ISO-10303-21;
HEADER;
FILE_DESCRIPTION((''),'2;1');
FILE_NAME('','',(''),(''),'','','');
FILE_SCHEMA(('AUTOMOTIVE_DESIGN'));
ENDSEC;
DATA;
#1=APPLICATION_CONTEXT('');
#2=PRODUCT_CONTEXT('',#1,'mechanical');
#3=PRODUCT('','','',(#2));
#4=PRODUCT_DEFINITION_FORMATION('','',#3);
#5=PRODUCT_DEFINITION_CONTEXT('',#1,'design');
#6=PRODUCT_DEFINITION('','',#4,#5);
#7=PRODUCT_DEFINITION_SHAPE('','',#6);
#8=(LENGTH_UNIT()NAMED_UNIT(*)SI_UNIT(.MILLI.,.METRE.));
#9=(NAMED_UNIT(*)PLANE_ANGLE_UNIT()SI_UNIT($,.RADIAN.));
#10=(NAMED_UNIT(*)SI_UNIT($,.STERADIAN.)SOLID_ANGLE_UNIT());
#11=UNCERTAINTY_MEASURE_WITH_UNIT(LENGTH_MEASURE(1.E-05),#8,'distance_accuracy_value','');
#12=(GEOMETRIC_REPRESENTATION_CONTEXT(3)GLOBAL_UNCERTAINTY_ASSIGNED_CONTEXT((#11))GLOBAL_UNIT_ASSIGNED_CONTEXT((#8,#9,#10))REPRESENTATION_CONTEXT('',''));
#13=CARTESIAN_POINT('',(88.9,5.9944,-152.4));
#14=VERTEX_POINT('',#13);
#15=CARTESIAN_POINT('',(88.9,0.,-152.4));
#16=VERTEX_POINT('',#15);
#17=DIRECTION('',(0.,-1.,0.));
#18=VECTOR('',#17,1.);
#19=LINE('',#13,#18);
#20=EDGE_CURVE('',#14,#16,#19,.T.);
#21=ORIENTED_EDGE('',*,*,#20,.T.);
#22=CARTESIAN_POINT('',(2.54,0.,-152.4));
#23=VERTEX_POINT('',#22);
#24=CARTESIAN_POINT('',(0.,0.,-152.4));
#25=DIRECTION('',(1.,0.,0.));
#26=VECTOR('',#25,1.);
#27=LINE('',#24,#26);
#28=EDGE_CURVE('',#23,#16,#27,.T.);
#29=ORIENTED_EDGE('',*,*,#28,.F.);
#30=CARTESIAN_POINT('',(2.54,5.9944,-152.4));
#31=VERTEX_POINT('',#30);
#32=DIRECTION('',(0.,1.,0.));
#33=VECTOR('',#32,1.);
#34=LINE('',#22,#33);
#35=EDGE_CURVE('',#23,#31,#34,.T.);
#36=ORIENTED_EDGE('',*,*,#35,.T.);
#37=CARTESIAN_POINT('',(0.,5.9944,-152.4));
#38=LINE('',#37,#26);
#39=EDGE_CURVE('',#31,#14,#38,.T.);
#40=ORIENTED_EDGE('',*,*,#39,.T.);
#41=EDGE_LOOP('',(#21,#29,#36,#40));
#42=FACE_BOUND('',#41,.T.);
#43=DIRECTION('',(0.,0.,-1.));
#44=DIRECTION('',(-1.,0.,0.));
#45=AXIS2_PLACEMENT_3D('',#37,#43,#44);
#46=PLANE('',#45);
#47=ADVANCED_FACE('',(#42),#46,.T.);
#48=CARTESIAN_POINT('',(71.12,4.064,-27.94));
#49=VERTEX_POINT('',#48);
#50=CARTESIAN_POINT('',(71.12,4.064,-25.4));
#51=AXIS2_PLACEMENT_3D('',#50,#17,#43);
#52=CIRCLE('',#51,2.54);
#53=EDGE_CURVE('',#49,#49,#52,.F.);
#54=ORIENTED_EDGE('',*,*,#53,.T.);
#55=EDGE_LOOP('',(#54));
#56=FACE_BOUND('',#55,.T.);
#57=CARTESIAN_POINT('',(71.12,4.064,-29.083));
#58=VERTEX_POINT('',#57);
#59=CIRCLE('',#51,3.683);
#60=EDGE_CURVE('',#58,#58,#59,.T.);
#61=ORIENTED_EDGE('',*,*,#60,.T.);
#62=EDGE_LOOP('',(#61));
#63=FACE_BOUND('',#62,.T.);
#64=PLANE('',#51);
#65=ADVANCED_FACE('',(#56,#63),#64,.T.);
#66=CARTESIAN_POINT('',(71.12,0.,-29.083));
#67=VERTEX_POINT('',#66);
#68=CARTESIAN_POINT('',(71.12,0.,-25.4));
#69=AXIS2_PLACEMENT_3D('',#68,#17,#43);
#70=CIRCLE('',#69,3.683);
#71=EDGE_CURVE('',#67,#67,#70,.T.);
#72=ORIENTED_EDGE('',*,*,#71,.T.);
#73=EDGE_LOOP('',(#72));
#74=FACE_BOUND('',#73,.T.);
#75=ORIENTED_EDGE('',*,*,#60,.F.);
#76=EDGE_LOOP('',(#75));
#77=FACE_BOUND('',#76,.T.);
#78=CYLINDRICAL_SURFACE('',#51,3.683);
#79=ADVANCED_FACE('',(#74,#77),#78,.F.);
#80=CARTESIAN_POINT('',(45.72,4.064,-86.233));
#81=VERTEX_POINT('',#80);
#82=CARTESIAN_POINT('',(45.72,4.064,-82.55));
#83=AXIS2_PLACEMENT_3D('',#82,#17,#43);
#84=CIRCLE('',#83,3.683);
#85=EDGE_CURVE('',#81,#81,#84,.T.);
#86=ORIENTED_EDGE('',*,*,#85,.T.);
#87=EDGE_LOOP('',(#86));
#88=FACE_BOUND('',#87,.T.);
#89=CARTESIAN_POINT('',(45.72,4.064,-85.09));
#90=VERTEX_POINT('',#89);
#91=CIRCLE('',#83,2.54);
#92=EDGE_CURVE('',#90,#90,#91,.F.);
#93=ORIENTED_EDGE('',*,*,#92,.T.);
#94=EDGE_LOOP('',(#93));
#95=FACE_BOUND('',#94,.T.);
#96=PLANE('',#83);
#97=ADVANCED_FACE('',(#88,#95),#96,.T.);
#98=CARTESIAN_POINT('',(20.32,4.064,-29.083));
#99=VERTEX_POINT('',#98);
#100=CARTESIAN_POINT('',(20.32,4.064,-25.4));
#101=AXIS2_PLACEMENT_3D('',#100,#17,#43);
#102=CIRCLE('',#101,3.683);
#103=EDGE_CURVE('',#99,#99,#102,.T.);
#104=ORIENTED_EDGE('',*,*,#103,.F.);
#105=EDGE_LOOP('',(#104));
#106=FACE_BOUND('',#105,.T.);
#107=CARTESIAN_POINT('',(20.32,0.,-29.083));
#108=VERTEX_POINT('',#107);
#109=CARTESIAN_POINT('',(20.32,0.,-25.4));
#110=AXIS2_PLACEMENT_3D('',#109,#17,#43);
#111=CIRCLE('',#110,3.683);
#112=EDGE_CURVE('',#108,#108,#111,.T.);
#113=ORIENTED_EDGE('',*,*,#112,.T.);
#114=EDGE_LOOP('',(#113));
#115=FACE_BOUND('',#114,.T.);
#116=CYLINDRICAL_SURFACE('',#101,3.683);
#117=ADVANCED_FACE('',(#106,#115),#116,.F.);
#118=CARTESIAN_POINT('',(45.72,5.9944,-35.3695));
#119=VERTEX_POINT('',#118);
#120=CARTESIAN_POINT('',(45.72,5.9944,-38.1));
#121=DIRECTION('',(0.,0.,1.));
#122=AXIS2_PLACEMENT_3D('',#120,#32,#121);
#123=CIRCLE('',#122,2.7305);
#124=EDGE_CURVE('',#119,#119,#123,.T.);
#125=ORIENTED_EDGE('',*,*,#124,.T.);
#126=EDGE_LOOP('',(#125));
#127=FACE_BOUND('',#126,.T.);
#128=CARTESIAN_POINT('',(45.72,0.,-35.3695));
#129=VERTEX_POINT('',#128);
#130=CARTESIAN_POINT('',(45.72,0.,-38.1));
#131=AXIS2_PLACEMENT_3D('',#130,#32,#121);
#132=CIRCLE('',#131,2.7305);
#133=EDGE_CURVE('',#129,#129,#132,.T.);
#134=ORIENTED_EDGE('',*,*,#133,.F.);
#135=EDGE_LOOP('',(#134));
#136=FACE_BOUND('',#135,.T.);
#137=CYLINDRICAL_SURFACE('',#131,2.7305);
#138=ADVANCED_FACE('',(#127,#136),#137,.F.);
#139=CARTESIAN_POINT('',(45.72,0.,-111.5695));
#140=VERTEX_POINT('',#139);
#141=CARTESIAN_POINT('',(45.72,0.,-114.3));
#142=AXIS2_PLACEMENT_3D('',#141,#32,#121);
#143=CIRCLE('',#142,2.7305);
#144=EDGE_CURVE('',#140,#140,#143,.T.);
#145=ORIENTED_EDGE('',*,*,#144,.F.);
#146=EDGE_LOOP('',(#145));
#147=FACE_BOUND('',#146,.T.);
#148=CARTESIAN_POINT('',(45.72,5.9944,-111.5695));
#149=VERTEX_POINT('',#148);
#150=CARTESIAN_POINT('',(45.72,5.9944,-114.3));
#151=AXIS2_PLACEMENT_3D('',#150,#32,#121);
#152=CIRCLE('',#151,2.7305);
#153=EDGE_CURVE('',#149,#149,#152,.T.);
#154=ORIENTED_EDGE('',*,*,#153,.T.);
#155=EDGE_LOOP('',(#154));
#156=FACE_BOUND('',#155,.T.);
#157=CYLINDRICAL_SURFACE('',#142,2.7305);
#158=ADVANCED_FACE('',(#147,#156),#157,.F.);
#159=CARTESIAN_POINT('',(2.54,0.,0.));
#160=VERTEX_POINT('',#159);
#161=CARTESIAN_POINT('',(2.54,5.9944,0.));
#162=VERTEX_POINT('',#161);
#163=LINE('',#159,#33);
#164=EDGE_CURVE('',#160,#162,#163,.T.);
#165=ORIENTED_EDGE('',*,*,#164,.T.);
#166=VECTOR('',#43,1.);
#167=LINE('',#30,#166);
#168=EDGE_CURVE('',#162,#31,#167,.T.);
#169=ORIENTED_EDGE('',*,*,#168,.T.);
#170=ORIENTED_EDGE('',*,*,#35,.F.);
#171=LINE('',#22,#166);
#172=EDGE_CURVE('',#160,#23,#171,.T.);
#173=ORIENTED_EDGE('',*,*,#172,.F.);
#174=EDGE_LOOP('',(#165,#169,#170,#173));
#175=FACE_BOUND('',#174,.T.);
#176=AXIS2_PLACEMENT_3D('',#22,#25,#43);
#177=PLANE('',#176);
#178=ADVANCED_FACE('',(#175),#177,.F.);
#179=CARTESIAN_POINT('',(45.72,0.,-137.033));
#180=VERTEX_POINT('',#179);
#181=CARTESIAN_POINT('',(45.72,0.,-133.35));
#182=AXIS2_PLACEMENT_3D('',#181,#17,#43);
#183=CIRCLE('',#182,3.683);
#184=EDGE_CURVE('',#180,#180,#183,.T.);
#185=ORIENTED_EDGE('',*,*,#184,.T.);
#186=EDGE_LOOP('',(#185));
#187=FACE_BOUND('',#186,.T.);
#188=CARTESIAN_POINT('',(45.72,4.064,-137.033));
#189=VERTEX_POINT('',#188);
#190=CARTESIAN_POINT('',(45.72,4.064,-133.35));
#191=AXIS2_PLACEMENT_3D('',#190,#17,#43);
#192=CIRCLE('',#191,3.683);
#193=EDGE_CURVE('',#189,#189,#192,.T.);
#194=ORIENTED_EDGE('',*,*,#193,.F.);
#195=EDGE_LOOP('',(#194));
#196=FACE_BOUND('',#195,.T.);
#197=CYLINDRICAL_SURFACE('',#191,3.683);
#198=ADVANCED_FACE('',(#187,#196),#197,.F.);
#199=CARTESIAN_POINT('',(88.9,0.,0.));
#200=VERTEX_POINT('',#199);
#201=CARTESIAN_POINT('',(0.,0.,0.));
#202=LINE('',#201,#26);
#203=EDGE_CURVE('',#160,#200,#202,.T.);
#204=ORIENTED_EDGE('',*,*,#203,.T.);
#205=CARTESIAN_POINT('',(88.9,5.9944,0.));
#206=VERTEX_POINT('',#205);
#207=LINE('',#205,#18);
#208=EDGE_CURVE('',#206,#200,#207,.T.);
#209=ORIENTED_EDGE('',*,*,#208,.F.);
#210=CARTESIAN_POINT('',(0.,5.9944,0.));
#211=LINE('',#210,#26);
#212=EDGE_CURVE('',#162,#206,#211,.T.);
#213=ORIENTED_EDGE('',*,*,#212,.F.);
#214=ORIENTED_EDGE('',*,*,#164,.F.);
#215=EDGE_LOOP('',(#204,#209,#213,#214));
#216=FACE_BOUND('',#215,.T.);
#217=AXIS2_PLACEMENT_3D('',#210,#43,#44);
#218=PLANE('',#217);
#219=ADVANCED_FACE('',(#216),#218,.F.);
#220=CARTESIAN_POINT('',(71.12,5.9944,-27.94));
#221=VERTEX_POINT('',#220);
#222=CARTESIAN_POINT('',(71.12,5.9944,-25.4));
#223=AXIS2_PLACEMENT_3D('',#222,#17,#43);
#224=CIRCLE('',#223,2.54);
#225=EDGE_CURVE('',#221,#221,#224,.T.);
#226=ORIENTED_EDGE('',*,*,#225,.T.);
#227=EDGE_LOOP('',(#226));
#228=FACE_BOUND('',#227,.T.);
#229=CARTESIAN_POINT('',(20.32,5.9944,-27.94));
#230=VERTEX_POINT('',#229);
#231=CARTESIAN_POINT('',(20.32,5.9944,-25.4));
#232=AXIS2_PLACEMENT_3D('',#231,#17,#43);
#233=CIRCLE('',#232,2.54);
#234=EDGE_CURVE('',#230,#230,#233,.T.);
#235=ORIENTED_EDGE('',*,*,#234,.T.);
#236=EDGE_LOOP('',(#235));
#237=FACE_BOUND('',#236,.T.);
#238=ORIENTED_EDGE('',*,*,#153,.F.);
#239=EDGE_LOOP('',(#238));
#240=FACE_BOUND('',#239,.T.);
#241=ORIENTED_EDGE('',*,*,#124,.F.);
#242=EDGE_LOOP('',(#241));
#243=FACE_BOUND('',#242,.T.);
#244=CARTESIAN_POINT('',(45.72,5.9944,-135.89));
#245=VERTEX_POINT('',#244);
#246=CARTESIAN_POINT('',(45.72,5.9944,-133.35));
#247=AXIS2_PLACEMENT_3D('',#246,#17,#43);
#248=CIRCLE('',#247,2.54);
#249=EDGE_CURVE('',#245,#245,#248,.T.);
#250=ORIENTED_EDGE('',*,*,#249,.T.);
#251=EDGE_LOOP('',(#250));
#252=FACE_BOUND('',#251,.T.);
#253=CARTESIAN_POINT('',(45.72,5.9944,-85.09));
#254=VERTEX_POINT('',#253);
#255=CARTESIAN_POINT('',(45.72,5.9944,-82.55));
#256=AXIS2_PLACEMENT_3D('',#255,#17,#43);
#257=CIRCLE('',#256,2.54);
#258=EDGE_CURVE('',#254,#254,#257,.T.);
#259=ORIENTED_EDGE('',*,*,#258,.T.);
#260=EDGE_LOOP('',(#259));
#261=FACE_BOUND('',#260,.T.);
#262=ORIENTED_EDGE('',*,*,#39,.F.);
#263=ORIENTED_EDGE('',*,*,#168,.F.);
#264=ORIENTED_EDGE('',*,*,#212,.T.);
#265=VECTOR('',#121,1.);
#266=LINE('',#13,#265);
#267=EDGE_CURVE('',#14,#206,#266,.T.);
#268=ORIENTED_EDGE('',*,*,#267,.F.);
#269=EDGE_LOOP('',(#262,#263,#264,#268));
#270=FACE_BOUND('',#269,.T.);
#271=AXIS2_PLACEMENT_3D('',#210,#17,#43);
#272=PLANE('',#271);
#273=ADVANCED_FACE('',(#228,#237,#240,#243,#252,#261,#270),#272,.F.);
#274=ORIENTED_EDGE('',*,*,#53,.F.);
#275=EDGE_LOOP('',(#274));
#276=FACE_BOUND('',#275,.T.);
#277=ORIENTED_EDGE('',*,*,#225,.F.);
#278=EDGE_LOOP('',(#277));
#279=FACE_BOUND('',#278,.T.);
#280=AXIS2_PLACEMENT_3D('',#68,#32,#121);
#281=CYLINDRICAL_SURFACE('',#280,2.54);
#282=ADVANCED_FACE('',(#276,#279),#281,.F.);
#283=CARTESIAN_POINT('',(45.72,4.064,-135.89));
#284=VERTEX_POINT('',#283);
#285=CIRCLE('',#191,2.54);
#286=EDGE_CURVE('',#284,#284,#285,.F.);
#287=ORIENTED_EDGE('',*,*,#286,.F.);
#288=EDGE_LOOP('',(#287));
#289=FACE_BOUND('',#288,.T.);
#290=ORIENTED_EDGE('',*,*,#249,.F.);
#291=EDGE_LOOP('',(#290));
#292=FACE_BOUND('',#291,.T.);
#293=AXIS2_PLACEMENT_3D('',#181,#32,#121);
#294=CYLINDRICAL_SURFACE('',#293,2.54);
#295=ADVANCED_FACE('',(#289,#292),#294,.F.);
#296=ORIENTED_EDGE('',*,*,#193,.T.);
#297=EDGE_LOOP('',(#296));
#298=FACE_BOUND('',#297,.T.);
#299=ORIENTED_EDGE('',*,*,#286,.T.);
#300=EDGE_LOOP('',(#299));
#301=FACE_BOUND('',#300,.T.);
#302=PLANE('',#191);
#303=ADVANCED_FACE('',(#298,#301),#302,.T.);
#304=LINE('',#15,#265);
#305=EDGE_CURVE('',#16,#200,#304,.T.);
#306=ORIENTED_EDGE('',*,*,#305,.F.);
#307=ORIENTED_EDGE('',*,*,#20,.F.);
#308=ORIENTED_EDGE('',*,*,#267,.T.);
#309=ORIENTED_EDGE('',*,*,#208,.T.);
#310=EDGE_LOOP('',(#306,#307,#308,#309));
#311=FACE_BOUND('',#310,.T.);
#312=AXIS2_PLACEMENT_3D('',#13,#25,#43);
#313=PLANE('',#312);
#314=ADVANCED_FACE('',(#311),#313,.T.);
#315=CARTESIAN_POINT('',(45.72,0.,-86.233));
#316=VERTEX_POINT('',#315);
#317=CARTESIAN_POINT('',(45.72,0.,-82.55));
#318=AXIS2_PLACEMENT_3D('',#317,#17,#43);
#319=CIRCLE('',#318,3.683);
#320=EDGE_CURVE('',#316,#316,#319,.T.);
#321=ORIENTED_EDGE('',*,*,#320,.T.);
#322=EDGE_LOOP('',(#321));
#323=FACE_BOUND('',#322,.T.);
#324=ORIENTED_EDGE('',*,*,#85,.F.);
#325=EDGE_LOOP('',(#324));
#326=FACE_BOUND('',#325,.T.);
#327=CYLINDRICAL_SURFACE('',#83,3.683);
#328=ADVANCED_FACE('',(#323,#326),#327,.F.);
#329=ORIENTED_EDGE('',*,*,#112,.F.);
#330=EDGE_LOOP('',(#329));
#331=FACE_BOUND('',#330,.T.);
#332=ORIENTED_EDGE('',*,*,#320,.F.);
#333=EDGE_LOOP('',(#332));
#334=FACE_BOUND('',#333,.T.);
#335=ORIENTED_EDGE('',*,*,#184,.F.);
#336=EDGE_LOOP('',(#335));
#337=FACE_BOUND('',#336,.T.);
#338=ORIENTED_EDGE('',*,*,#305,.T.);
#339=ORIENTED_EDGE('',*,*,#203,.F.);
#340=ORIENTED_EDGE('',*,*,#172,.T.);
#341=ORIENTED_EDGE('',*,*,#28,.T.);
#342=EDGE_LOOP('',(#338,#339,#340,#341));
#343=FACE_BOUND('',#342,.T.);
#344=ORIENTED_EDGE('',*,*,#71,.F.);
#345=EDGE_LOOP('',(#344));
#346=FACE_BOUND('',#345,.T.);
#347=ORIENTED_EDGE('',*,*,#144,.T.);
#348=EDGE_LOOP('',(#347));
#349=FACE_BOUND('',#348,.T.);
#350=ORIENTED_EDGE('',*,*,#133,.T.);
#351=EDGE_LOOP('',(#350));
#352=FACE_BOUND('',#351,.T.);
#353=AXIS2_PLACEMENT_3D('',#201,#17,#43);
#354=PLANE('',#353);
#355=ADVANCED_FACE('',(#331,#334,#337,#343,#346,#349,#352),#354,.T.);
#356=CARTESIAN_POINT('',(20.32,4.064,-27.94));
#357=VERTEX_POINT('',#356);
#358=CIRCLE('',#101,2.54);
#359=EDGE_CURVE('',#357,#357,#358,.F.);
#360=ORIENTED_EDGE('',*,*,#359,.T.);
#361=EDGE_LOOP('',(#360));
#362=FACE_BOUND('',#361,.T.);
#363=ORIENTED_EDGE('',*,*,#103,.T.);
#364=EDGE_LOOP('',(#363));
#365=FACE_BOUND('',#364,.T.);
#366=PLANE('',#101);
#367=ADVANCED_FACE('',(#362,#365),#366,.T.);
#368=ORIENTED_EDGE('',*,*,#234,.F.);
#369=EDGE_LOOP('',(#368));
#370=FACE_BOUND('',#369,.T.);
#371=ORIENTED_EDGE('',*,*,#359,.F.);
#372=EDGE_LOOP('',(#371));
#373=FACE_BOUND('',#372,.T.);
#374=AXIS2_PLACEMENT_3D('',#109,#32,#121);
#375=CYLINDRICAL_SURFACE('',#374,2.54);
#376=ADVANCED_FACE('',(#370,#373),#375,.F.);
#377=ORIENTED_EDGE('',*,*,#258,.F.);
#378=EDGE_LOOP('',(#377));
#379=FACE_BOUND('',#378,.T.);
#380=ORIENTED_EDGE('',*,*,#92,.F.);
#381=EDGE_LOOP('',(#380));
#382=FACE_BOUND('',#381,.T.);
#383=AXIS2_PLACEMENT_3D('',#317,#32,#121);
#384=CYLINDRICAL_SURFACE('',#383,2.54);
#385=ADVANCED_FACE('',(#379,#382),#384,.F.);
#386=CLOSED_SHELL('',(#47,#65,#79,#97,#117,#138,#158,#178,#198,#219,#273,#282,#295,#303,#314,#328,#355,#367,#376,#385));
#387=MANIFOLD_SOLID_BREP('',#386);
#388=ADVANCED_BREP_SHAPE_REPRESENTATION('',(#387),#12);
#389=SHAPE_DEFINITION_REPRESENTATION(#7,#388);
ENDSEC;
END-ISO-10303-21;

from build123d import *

# Parameters (mm, degrees)
SKETCH2_W               = 88.9
SKETCH2_H               = 152.4
BOSS_EXTRUDE1_DEPTH     = 5.9944
SKETCH4_R               = 2.7305
CUT_EXTRUDE2_DEPTH      = 1
CUT_EXTRUDE2_DEPTH_BACK = 6.9944
SKETCH7_W               = 2.54
SKETCH7_H               = 152.4
CUT_EXTRUDE3_DEPTH      = 1
CUT_EXTRUDE3_DEPTH_BACK = 6.9944
SKETCH8_R               = 2.54
CUT_EXTRUDE4_DEPTH      = 1
CUT_EXTRUDE4_DEPTH_BACK = 6.9944
SKETCH9_R               = 3.683
CUT_EXTRUDE5_DEPTH      = 4.064


with BuildPart() as part:
    # Sketch2 → Boss-Extrude1 (new body)
    with BuildSketch(Plane(origin=(0, 0, 0), x_dir=(1, 0, 0), z_dir=(0, 1, 0))):
        with Locations((44.45, 76.2)):
            Rectangle(SKETCH2_W, SKETCH2_H)
    extrude(amount=BOSS_EXTRUDE1_DEPTH)

    # Sketch4 → Cut-Extrude2 (cut, two sides)
    with BuildSketch(Plane(origin=(0, 5.9944, 0), x_dir=(1, 0, 0), z_dir=(0, 1, 0))) as cut_extrude2_sk:
        with Locations((45.72, 114.3)):
            Circle(SKETCH4_R)
        with Locations((45.72, 38.1)):
            Circle(SKETCH4_R)
    extrude(amount=CUT_EXTRUDE2_DEPTH, mode=Mode.SUBTRACT)
    extrude(cut_extrude2_sk.sketch, amount=-CUT_EXTRUDE2_DEPTH_BACK, mode=Mode.SUBTRACT)

    # Sketch7 → Cut-Extrude3 (cut, two sides)
    with BuildSketch(Plane(origin=(0, 5.9944, 0), x_dir=(1, 0, 0), z_dir=(0, 1, 0))) as cut_extrude3_sk:
        with Locations((1.27, 76.2)):
            Rectangle(SKETCH7_W, SKETCH7_H)
    extrude(amount=CUT_EXTRUDE3_DEPTH, mode=Mode.SUBTRACT)
    extrude(cut_extrude3_sk.sketch, amount=-CUT_EXTRUDE3_DEPTH_BACK, mode=Mode.SUBTRACT)

    # Sketch8 → Cut-Extrude4 (cut, two sides)
    with BuildSketch(Plane(origin=(0, 5.9944, 0), x_dir=(1, 0, 0), z_dir=(0, 1, 0))) as cut_extrude4_sk:
        with Locations((20.32, 25.4)):
            Circle(SKETCH8_R)
        with Locations((71.12, 25.4)):
            Circle(SKETCH8_R)
        with Locations((45.72, 82.55)):
            Circle(SKETCH8_R)
        with Locations((45.72, 133.35)):
            Circle(SKETCH8_R)
    extrude(amount=CUT_EXTRUDE4_DEPTH, mode=Mode.SUBTRACT)
    extrude(cut_extrude4_sk.sketch, amount=-CUT_EXTRUDE4_DEPTH_BACK, mode=Mode.SUBTRACT)

    # Sketch9 → Cut-Extrude5 (cut)
    with BuildSketch(Plane.XZ):
        with Locations((20.32, -25.4)):
            Circle(SKETCH9_R)
        with Locations((71.12, -25.4)):
            Circle(SKETCH9_R)
        with Locations((45.72, -82.55)):
            Circle(SKETCH9_R)
        with Locations((45.72, -133.35)):
            Circle(SKETCH9_R)
    extrude(amount=-CUT_EXTRUDE5_DEPTH, mode=Mode.SUBTRACT)


solid = part.part
